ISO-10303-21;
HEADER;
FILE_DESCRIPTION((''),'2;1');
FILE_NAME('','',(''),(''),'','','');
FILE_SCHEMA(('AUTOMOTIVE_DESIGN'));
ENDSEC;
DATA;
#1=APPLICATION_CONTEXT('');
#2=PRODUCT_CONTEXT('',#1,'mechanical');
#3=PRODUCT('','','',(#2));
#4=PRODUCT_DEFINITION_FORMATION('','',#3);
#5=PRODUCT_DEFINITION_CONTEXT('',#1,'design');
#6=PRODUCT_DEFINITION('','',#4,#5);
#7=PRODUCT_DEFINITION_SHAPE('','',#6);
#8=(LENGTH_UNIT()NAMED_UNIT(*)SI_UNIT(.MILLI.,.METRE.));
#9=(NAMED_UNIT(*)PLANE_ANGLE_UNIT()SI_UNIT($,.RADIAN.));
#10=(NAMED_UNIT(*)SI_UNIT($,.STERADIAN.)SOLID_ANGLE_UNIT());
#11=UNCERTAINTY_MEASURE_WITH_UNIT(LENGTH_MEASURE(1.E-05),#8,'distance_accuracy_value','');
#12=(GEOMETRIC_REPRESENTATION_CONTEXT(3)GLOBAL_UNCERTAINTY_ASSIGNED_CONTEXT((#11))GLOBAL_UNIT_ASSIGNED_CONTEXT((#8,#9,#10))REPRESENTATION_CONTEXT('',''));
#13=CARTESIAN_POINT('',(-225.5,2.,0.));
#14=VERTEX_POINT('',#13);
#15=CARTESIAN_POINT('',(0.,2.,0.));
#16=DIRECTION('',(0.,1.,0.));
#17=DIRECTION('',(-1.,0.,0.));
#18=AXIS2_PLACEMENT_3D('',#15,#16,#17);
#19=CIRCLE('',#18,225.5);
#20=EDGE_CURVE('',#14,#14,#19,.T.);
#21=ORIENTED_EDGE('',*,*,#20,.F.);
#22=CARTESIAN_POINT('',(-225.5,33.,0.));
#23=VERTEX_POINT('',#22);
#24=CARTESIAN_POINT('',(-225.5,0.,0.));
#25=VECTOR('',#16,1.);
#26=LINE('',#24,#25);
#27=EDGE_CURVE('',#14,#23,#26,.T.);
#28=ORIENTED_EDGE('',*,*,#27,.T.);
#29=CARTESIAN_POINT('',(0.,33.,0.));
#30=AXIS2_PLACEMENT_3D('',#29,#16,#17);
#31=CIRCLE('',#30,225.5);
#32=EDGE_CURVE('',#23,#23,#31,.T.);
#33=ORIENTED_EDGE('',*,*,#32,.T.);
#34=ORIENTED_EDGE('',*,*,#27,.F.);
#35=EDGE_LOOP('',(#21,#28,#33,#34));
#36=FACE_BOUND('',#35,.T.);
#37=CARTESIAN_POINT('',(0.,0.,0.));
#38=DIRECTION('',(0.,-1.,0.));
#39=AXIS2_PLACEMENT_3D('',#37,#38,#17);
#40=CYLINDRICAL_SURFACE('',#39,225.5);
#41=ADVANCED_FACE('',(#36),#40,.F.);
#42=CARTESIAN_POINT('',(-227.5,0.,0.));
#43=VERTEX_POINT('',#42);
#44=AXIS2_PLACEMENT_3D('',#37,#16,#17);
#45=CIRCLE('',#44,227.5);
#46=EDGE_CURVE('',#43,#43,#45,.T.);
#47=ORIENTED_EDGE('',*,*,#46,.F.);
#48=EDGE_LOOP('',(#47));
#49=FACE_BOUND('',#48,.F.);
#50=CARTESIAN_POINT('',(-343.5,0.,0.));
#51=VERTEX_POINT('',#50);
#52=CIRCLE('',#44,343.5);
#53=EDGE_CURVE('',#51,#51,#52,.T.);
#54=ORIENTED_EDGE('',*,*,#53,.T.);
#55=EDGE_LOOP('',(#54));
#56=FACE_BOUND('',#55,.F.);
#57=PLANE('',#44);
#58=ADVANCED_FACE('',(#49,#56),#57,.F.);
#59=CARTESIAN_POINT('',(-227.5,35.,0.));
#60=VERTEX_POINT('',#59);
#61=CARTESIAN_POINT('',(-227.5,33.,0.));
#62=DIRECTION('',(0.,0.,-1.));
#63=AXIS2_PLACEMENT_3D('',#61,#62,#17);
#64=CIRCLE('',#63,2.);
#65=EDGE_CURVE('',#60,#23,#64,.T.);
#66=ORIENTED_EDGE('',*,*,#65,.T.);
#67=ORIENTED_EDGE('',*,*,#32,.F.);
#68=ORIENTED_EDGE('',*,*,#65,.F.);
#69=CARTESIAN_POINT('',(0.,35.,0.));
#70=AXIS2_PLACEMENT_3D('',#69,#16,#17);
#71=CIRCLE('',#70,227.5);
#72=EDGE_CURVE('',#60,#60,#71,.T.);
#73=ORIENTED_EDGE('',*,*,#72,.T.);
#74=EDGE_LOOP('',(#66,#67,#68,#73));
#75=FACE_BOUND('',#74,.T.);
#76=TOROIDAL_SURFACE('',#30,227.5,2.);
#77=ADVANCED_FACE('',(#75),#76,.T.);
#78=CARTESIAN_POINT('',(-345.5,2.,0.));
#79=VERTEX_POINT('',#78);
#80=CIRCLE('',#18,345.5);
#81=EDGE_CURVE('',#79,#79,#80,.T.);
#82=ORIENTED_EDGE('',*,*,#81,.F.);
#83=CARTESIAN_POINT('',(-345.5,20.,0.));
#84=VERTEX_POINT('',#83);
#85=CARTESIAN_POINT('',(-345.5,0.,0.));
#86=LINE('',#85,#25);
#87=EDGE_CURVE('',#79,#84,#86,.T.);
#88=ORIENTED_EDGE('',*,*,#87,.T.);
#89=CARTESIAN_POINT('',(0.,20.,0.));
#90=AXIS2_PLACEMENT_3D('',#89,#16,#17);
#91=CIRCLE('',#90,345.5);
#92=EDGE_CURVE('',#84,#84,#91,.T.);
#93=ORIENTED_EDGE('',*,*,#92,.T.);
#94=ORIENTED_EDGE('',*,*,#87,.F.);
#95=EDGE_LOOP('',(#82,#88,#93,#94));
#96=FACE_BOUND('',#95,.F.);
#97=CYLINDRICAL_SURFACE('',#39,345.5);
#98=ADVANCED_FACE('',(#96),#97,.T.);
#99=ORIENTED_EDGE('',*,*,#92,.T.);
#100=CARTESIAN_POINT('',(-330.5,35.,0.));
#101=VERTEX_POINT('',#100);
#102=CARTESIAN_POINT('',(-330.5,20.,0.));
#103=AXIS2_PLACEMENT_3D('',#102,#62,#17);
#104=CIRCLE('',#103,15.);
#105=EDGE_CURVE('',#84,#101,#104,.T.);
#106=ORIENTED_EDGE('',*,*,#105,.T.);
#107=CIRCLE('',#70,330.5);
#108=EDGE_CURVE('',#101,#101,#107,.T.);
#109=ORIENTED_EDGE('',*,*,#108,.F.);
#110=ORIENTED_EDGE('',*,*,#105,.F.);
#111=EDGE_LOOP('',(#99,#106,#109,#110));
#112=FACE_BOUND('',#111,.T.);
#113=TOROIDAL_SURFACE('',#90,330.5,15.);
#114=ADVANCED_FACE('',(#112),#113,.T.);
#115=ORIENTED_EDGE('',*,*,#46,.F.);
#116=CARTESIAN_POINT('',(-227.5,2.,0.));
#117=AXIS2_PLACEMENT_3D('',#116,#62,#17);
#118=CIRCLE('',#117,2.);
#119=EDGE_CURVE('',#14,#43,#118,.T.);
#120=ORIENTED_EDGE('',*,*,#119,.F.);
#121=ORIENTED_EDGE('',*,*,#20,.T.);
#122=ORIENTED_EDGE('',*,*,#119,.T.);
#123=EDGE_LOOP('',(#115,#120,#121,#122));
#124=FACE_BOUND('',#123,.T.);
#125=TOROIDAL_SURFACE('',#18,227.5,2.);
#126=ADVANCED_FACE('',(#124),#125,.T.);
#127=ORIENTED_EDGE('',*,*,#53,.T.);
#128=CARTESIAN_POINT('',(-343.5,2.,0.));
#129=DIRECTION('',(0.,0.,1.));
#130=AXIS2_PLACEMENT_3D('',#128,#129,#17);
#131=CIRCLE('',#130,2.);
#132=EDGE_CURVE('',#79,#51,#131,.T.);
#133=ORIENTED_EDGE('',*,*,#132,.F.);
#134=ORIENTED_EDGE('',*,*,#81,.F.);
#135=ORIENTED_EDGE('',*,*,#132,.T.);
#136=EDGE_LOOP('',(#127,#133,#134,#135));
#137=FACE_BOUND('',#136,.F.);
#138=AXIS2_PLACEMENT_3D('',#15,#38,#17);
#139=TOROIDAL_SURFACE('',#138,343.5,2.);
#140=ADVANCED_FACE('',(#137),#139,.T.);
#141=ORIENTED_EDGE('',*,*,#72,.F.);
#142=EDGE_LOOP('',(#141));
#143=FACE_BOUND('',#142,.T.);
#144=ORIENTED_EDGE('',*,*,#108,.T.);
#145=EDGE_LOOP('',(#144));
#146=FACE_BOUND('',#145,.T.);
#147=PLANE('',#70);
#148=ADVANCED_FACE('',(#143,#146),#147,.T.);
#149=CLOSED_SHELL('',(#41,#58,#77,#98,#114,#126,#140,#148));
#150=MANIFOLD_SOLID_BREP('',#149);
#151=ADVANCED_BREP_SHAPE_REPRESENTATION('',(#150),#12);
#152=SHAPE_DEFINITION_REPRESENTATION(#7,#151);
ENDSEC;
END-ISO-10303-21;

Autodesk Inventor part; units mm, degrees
ref_plane "YZ Plane" through (0, 0, 0) normal (1, 0, 0) x (0, 1, 0)
ref_plane "XZ Plane" through (0, 0, 0) normal (0, 1, 0) x (-1, 0, 0)
ref_plane "XY Plane" through (0, 0, 0) normal (0, 0, 1) x (1, 0, 0)
sketch "Skizze1" plane through (0, 0, 0) normal (0, 1, 0) x (-1, 0, 0)
  circle A0 centre (0, 0) radius 225.5
  circle A1 centre (0, 0) radius 345.5
  dimension "d0" = 120
  dimension "d1" = 451
extrude "Extrusion1" add sketch "Skizze1" along normal blind 35
fillet "Rundung1" radius 15 1 edges at (345.5, 35, 0)
fillet "Rundung2" radius 2 1 edges at (225.5, 35, 0)
fillet "Rundung3" radius 2 2 edges at (345.5, 0, 0) (225.5, 0, 0)
properties part number "Surround"
